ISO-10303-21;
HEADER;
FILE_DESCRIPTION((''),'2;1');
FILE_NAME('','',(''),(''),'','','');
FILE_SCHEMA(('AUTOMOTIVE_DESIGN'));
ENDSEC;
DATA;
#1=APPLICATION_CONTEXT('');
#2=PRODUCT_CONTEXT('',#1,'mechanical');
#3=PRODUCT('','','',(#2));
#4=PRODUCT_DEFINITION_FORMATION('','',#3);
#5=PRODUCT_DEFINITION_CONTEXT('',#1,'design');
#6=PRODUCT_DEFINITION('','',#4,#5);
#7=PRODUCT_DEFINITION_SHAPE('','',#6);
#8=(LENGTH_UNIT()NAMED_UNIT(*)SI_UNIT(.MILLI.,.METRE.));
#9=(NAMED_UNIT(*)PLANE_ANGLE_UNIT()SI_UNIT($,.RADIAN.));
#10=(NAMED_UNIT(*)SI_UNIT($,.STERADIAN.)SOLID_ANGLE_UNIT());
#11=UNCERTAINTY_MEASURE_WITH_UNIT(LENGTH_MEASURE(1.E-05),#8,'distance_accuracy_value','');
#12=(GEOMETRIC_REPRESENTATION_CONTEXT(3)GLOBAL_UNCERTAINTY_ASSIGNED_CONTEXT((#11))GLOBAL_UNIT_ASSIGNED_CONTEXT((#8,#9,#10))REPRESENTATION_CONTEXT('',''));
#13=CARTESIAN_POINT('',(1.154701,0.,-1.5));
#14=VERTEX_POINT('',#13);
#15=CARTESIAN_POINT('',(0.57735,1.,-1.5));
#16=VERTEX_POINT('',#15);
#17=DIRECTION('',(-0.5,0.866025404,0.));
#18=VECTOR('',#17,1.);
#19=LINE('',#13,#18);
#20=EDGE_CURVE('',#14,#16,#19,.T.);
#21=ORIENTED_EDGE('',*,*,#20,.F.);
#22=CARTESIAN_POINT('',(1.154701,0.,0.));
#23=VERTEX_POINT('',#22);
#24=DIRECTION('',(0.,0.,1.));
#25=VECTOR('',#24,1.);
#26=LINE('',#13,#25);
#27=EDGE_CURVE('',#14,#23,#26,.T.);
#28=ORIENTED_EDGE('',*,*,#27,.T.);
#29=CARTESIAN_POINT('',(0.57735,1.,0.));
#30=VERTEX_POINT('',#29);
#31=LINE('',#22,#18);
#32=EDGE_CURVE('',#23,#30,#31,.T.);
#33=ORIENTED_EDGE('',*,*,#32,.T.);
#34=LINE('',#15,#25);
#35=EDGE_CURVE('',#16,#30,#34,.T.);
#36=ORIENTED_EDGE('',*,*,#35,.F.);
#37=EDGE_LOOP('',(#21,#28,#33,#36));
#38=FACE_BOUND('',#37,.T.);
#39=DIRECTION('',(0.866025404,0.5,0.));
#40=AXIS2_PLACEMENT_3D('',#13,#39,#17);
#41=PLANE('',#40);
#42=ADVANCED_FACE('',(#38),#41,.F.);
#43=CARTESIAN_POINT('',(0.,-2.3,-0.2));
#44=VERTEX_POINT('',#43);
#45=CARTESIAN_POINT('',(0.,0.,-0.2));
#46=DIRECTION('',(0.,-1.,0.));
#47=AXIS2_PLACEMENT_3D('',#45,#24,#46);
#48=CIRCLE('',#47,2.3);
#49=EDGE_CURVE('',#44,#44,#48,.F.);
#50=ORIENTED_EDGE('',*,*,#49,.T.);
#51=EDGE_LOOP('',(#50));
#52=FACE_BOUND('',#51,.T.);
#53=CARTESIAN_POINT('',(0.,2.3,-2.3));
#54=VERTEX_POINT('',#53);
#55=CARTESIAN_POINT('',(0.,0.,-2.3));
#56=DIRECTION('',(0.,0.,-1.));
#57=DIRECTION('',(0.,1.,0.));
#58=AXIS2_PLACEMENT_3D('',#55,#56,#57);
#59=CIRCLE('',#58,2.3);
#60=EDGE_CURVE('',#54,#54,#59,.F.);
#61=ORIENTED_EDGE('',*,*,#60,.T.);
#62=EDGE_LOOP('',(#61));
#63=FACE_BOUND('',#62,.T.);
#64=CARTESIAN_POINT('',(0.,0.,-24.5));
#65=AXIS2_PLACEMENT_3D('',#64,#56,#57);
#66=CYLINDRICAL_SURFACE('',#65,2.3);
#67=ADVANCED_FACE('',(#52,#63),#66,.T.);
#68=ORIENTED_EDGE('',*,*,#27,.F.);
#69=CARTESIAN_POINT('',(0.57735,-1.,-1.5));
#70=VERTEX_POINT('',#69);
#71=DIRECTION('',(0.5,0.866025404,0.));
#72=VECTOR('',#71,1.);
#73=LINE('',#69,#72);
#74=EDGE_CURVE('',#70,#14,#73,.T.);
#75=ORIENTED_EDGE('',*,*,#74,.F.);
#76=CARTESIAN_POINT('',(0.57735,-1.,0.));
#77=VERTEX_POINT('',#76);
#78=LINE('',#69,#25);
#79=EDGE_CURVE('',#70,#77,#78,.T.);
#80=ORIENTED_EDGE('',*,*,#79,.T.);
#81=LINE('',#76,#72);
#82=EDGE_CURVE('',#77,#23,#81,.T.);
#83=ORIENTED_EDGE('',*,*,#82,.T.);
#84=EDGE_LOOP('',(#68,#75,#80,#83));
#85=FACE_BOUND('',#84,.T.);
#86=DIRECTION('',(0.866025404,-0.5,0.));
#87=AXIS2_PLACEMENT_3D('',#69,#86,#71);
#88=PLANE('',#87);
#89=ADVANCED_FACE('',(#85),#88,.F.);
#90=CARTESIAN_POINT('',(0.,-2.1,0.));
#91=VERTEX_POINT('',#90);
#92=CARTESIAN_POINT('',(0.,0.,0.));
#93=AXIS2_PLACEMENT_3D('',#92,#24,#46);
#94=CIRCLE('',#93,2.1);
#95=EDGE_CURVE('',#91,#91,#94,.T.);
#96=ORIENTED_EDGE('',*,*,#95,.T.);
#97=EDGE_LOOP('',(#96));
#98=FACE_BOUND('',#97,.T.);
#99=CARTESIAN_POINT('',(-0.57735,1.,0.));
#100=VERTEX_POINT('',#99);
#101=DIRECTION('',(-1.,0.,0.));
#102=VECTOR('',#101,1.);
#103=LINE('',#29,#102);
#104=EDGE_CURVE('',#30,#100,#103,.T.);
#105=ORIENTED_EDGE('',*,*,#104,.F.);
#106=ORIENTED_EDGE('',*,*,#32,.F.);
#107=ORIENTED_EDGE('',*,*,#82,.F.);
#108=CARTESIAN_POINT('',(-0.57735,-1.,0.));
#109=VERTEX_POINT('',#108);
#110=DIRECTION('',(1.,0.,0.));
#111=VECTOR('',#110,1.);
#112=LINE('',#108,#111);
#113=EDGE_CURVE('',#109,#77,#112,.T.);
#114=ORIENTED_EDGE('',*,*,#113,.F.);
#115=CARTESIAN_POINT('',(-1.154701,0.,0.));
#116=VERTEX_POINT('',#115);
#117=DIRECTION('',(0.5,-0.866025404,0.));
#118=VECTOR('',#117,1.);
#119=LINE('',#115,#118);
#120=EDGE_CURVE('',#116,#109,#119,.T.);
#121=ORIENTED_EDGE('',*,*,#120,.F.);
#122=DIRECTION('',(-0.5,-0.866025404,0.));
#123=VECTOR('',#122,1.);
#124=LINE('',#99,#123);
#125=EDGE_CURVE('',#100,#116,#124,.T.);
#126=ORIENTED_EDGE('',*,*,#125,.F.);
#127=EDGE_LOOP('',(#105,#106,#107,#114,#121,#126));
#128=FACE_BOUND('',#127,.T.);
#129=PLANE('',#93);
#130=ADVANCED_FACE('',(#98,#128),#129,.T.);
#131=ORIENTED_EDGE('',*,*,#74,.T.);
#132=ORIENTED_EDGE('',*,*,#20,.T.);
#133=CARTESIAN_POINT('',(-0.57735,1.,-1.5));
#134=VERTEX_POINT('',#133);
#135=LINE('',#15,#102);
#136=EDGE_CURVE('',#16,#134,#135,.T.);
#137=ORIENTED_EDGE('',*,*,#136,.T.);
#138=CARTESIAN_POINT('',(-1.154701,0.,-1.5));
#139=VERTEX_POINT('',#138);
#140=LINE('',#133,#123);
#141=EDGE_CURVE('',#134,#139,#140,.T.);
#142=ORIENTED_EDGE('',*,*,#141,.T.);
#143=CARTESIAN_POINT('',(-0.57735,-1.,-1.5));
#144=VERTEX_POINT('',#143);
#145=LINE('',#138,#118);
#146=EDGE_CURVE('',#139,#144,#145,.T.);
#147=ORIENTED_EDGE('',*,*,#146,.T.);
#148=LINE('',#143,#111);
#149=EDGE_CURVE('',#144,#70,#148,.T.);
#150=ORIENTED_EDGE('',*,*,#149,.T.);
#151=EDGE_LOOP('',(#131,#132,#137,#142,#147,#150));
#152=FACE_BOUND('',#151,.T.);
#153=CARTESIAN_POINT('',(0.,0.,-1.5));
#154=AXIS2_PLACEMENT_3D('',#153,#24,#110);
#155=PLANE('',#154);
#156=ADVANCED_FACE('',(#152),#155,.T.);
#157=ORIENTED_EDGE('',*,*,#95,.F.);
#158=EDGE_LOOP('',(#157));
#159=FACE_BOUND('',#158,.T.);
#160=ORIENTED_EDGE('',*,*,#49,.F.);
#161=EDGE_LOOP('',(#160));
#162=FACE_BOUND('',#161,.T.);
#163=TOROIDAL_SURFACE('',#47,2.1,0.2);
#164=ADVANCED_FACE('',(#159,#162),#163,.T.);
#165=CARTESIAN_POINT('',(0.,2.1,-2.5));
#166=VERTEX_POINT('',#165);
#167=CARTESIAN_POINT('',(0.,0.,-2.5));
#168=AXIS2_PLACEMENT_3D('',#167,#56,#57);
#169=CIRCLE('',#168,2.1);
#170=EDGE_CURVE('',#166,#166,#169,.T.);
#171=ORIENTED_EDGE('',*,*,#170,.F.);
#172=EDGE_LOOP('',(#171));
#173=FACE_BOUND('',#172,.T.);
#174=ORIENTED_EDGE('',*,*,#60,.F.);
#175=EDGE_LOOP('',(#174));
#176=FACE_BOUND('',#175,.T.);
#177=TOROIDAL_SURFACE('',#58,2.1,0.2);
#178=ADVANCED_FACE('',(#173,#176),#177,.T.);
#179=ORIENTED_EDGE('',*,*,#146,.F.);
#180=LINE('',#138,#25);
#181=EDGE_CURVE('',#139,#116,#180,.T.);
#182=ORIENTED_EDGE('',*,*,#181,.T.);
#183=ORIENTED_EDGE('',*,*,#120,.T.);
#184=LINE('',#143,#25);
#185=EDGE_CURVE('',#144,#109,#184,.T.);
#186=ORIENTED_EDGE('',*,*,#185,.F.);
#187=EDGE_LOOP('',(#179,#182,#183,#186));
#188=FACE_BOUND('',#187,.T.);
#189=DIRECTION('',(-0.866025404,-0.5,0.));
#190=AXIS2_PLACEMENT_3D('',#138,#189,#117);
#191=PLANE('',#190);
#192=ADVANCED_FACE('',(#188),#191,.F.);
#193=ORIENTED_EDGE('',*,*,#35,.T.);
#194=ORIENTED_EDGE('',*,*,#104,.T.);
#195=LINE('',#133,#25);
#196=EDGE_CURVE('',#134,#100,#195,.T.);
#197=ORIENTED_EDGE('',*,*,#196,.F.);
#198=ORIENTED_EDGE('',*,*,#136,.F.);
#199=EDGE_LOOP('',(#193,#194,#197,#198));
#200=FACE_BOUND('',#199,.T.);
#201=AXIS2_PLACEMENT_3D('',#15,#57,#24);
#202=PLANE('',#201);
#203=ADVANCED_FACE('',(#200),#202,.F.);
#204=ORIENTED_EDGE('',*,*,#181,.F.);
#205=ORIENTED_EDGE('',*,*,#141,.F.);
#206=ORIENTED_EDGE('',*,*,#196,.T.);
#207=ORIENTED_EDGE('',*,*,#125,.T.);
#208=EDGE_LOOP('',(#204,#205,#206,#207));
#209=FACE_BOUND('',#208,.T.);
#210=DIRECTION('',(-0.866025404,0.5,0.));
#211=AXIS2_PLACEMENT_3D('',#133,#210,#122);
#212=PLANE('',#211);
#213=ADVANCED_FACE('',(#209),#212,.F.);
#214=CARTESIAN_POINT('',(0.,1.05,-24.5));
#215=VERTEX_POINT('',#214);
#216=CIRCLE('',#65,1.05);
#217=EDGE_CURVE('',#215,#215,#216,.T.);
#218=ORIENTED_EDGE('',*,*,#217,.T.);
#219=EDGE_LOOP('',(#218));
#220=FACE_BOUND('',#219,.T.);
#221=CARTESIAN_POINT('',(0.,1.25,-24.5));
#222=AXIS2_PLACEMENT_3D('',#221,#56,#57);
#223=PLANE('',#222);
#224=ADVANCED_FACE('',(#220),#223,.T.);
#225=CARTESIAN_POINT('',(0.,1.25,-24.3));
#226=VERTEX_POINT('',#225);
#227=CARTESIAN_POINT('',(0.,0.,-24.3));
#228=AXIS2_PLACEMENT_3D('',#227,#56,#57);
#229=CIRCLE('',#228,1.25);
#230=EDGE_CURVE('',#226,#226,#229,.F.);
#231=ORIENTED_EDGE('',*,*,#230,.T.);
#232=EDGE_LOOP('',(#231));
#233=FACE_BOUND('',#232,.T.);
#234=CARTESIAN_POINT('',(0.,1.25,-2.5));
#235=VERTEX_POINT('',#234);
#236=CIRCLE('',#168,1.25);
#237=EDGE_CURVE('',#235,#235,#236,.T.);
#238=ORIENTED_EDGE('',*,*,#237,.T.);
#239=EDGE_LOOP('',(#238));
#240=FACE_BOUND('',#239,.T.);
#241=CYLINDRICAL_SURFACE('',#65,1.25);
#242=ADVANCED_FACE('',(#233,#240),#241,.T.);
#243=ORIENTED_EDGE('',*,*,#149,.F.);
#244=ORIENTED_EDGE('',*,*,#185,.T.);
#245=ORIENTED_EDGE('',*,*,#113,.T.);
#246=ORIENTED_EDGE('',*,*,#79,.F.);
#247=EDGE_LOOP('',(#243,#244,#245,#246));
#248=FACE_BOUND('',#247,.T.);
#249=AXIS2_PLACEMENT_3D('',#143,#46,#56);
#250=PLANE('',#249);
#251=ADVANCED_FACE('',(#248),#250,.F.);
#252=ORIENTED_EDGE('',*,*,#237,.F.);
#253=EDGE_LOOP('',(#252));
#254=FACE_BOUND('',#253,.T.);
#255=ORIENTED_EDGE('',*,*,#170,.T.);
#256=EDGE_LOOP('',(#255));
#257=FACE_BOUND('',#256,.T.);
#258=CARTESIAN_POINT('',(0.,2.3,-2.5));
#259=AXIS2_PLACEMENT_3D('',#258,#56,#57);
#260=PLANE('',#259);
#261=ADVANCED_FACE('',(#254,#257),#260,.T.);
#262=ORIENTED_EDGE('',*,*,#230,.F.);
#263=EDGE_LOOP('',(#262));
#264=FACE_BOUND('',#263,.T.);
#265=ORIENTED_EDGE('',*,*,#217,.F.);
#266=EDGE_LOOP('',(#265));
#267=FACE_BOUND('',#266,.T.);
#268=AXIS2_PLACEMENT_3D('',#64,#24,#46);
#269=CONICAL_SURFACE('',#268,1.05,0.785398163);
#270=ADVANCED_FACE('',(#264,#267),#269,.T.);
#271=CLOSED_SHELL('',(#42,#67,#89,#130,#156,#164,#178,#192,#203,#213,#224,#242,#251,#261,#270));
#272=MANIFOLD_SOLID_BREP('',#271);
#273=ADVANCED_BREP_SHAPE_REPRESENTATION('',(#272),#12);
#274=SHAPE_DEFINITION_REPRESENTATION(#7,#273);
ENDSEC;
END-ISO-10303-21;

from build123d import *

# Parameters (mm, degrees)
FILLET_1_R          = 0.2
CHAMFER_1_SIZE      = 0.2
CUT_EXTRUDE_1_DEPTH = 1.5


with BuildPart() as part:
    # 草图2 → 旋转1 (revolve)
    with BuildSketch(Plane(origin=(0, 0, 0), x_dir=(0, 0, -1), z_dir=(1, 0, 0))):
        Polygon((0, 0), (0, 2.3), (2.5, 2.3), (2.5, 1.25), (24.5, 1.25), (24.5, 0), align=None)
    revolve(axis=Axis((0, 0, -24.5), (0, 0, 1)))

    # 圆角1
    fillet_1_edges = [part.edges().sort_by_distance(p)[0] for p in [
        (0, -2.3, -2.5),
        (0, -2.3, 0),
    ]]
    fillet(fillet_1_edges, radius=FILLET_1_R)

    # 倒角1
    chamfer_1_edges = [part.edges().sort_by_distance(p)[0] for p in [
        (0, -1.25, -24.5),
    ]]
    chamfer(chamfer_1_edges, length=CHAMFER_1_SIZE)

    # 草图3 → 切除-拉伸1 (cut)
    with BuildSketch(Plane.XY):
        Polygon((1.154700538, 0), (0.577350269, 1), (-0.577350269, 1), (-1.154700538, 0), (-0.577350269, -1), (0.577350269, -1), align=None)
    extrude(amount=-CUT_EXTRUDE_1_DEPTH, mode=Mode.SUBTRACT)


solid = part.part
